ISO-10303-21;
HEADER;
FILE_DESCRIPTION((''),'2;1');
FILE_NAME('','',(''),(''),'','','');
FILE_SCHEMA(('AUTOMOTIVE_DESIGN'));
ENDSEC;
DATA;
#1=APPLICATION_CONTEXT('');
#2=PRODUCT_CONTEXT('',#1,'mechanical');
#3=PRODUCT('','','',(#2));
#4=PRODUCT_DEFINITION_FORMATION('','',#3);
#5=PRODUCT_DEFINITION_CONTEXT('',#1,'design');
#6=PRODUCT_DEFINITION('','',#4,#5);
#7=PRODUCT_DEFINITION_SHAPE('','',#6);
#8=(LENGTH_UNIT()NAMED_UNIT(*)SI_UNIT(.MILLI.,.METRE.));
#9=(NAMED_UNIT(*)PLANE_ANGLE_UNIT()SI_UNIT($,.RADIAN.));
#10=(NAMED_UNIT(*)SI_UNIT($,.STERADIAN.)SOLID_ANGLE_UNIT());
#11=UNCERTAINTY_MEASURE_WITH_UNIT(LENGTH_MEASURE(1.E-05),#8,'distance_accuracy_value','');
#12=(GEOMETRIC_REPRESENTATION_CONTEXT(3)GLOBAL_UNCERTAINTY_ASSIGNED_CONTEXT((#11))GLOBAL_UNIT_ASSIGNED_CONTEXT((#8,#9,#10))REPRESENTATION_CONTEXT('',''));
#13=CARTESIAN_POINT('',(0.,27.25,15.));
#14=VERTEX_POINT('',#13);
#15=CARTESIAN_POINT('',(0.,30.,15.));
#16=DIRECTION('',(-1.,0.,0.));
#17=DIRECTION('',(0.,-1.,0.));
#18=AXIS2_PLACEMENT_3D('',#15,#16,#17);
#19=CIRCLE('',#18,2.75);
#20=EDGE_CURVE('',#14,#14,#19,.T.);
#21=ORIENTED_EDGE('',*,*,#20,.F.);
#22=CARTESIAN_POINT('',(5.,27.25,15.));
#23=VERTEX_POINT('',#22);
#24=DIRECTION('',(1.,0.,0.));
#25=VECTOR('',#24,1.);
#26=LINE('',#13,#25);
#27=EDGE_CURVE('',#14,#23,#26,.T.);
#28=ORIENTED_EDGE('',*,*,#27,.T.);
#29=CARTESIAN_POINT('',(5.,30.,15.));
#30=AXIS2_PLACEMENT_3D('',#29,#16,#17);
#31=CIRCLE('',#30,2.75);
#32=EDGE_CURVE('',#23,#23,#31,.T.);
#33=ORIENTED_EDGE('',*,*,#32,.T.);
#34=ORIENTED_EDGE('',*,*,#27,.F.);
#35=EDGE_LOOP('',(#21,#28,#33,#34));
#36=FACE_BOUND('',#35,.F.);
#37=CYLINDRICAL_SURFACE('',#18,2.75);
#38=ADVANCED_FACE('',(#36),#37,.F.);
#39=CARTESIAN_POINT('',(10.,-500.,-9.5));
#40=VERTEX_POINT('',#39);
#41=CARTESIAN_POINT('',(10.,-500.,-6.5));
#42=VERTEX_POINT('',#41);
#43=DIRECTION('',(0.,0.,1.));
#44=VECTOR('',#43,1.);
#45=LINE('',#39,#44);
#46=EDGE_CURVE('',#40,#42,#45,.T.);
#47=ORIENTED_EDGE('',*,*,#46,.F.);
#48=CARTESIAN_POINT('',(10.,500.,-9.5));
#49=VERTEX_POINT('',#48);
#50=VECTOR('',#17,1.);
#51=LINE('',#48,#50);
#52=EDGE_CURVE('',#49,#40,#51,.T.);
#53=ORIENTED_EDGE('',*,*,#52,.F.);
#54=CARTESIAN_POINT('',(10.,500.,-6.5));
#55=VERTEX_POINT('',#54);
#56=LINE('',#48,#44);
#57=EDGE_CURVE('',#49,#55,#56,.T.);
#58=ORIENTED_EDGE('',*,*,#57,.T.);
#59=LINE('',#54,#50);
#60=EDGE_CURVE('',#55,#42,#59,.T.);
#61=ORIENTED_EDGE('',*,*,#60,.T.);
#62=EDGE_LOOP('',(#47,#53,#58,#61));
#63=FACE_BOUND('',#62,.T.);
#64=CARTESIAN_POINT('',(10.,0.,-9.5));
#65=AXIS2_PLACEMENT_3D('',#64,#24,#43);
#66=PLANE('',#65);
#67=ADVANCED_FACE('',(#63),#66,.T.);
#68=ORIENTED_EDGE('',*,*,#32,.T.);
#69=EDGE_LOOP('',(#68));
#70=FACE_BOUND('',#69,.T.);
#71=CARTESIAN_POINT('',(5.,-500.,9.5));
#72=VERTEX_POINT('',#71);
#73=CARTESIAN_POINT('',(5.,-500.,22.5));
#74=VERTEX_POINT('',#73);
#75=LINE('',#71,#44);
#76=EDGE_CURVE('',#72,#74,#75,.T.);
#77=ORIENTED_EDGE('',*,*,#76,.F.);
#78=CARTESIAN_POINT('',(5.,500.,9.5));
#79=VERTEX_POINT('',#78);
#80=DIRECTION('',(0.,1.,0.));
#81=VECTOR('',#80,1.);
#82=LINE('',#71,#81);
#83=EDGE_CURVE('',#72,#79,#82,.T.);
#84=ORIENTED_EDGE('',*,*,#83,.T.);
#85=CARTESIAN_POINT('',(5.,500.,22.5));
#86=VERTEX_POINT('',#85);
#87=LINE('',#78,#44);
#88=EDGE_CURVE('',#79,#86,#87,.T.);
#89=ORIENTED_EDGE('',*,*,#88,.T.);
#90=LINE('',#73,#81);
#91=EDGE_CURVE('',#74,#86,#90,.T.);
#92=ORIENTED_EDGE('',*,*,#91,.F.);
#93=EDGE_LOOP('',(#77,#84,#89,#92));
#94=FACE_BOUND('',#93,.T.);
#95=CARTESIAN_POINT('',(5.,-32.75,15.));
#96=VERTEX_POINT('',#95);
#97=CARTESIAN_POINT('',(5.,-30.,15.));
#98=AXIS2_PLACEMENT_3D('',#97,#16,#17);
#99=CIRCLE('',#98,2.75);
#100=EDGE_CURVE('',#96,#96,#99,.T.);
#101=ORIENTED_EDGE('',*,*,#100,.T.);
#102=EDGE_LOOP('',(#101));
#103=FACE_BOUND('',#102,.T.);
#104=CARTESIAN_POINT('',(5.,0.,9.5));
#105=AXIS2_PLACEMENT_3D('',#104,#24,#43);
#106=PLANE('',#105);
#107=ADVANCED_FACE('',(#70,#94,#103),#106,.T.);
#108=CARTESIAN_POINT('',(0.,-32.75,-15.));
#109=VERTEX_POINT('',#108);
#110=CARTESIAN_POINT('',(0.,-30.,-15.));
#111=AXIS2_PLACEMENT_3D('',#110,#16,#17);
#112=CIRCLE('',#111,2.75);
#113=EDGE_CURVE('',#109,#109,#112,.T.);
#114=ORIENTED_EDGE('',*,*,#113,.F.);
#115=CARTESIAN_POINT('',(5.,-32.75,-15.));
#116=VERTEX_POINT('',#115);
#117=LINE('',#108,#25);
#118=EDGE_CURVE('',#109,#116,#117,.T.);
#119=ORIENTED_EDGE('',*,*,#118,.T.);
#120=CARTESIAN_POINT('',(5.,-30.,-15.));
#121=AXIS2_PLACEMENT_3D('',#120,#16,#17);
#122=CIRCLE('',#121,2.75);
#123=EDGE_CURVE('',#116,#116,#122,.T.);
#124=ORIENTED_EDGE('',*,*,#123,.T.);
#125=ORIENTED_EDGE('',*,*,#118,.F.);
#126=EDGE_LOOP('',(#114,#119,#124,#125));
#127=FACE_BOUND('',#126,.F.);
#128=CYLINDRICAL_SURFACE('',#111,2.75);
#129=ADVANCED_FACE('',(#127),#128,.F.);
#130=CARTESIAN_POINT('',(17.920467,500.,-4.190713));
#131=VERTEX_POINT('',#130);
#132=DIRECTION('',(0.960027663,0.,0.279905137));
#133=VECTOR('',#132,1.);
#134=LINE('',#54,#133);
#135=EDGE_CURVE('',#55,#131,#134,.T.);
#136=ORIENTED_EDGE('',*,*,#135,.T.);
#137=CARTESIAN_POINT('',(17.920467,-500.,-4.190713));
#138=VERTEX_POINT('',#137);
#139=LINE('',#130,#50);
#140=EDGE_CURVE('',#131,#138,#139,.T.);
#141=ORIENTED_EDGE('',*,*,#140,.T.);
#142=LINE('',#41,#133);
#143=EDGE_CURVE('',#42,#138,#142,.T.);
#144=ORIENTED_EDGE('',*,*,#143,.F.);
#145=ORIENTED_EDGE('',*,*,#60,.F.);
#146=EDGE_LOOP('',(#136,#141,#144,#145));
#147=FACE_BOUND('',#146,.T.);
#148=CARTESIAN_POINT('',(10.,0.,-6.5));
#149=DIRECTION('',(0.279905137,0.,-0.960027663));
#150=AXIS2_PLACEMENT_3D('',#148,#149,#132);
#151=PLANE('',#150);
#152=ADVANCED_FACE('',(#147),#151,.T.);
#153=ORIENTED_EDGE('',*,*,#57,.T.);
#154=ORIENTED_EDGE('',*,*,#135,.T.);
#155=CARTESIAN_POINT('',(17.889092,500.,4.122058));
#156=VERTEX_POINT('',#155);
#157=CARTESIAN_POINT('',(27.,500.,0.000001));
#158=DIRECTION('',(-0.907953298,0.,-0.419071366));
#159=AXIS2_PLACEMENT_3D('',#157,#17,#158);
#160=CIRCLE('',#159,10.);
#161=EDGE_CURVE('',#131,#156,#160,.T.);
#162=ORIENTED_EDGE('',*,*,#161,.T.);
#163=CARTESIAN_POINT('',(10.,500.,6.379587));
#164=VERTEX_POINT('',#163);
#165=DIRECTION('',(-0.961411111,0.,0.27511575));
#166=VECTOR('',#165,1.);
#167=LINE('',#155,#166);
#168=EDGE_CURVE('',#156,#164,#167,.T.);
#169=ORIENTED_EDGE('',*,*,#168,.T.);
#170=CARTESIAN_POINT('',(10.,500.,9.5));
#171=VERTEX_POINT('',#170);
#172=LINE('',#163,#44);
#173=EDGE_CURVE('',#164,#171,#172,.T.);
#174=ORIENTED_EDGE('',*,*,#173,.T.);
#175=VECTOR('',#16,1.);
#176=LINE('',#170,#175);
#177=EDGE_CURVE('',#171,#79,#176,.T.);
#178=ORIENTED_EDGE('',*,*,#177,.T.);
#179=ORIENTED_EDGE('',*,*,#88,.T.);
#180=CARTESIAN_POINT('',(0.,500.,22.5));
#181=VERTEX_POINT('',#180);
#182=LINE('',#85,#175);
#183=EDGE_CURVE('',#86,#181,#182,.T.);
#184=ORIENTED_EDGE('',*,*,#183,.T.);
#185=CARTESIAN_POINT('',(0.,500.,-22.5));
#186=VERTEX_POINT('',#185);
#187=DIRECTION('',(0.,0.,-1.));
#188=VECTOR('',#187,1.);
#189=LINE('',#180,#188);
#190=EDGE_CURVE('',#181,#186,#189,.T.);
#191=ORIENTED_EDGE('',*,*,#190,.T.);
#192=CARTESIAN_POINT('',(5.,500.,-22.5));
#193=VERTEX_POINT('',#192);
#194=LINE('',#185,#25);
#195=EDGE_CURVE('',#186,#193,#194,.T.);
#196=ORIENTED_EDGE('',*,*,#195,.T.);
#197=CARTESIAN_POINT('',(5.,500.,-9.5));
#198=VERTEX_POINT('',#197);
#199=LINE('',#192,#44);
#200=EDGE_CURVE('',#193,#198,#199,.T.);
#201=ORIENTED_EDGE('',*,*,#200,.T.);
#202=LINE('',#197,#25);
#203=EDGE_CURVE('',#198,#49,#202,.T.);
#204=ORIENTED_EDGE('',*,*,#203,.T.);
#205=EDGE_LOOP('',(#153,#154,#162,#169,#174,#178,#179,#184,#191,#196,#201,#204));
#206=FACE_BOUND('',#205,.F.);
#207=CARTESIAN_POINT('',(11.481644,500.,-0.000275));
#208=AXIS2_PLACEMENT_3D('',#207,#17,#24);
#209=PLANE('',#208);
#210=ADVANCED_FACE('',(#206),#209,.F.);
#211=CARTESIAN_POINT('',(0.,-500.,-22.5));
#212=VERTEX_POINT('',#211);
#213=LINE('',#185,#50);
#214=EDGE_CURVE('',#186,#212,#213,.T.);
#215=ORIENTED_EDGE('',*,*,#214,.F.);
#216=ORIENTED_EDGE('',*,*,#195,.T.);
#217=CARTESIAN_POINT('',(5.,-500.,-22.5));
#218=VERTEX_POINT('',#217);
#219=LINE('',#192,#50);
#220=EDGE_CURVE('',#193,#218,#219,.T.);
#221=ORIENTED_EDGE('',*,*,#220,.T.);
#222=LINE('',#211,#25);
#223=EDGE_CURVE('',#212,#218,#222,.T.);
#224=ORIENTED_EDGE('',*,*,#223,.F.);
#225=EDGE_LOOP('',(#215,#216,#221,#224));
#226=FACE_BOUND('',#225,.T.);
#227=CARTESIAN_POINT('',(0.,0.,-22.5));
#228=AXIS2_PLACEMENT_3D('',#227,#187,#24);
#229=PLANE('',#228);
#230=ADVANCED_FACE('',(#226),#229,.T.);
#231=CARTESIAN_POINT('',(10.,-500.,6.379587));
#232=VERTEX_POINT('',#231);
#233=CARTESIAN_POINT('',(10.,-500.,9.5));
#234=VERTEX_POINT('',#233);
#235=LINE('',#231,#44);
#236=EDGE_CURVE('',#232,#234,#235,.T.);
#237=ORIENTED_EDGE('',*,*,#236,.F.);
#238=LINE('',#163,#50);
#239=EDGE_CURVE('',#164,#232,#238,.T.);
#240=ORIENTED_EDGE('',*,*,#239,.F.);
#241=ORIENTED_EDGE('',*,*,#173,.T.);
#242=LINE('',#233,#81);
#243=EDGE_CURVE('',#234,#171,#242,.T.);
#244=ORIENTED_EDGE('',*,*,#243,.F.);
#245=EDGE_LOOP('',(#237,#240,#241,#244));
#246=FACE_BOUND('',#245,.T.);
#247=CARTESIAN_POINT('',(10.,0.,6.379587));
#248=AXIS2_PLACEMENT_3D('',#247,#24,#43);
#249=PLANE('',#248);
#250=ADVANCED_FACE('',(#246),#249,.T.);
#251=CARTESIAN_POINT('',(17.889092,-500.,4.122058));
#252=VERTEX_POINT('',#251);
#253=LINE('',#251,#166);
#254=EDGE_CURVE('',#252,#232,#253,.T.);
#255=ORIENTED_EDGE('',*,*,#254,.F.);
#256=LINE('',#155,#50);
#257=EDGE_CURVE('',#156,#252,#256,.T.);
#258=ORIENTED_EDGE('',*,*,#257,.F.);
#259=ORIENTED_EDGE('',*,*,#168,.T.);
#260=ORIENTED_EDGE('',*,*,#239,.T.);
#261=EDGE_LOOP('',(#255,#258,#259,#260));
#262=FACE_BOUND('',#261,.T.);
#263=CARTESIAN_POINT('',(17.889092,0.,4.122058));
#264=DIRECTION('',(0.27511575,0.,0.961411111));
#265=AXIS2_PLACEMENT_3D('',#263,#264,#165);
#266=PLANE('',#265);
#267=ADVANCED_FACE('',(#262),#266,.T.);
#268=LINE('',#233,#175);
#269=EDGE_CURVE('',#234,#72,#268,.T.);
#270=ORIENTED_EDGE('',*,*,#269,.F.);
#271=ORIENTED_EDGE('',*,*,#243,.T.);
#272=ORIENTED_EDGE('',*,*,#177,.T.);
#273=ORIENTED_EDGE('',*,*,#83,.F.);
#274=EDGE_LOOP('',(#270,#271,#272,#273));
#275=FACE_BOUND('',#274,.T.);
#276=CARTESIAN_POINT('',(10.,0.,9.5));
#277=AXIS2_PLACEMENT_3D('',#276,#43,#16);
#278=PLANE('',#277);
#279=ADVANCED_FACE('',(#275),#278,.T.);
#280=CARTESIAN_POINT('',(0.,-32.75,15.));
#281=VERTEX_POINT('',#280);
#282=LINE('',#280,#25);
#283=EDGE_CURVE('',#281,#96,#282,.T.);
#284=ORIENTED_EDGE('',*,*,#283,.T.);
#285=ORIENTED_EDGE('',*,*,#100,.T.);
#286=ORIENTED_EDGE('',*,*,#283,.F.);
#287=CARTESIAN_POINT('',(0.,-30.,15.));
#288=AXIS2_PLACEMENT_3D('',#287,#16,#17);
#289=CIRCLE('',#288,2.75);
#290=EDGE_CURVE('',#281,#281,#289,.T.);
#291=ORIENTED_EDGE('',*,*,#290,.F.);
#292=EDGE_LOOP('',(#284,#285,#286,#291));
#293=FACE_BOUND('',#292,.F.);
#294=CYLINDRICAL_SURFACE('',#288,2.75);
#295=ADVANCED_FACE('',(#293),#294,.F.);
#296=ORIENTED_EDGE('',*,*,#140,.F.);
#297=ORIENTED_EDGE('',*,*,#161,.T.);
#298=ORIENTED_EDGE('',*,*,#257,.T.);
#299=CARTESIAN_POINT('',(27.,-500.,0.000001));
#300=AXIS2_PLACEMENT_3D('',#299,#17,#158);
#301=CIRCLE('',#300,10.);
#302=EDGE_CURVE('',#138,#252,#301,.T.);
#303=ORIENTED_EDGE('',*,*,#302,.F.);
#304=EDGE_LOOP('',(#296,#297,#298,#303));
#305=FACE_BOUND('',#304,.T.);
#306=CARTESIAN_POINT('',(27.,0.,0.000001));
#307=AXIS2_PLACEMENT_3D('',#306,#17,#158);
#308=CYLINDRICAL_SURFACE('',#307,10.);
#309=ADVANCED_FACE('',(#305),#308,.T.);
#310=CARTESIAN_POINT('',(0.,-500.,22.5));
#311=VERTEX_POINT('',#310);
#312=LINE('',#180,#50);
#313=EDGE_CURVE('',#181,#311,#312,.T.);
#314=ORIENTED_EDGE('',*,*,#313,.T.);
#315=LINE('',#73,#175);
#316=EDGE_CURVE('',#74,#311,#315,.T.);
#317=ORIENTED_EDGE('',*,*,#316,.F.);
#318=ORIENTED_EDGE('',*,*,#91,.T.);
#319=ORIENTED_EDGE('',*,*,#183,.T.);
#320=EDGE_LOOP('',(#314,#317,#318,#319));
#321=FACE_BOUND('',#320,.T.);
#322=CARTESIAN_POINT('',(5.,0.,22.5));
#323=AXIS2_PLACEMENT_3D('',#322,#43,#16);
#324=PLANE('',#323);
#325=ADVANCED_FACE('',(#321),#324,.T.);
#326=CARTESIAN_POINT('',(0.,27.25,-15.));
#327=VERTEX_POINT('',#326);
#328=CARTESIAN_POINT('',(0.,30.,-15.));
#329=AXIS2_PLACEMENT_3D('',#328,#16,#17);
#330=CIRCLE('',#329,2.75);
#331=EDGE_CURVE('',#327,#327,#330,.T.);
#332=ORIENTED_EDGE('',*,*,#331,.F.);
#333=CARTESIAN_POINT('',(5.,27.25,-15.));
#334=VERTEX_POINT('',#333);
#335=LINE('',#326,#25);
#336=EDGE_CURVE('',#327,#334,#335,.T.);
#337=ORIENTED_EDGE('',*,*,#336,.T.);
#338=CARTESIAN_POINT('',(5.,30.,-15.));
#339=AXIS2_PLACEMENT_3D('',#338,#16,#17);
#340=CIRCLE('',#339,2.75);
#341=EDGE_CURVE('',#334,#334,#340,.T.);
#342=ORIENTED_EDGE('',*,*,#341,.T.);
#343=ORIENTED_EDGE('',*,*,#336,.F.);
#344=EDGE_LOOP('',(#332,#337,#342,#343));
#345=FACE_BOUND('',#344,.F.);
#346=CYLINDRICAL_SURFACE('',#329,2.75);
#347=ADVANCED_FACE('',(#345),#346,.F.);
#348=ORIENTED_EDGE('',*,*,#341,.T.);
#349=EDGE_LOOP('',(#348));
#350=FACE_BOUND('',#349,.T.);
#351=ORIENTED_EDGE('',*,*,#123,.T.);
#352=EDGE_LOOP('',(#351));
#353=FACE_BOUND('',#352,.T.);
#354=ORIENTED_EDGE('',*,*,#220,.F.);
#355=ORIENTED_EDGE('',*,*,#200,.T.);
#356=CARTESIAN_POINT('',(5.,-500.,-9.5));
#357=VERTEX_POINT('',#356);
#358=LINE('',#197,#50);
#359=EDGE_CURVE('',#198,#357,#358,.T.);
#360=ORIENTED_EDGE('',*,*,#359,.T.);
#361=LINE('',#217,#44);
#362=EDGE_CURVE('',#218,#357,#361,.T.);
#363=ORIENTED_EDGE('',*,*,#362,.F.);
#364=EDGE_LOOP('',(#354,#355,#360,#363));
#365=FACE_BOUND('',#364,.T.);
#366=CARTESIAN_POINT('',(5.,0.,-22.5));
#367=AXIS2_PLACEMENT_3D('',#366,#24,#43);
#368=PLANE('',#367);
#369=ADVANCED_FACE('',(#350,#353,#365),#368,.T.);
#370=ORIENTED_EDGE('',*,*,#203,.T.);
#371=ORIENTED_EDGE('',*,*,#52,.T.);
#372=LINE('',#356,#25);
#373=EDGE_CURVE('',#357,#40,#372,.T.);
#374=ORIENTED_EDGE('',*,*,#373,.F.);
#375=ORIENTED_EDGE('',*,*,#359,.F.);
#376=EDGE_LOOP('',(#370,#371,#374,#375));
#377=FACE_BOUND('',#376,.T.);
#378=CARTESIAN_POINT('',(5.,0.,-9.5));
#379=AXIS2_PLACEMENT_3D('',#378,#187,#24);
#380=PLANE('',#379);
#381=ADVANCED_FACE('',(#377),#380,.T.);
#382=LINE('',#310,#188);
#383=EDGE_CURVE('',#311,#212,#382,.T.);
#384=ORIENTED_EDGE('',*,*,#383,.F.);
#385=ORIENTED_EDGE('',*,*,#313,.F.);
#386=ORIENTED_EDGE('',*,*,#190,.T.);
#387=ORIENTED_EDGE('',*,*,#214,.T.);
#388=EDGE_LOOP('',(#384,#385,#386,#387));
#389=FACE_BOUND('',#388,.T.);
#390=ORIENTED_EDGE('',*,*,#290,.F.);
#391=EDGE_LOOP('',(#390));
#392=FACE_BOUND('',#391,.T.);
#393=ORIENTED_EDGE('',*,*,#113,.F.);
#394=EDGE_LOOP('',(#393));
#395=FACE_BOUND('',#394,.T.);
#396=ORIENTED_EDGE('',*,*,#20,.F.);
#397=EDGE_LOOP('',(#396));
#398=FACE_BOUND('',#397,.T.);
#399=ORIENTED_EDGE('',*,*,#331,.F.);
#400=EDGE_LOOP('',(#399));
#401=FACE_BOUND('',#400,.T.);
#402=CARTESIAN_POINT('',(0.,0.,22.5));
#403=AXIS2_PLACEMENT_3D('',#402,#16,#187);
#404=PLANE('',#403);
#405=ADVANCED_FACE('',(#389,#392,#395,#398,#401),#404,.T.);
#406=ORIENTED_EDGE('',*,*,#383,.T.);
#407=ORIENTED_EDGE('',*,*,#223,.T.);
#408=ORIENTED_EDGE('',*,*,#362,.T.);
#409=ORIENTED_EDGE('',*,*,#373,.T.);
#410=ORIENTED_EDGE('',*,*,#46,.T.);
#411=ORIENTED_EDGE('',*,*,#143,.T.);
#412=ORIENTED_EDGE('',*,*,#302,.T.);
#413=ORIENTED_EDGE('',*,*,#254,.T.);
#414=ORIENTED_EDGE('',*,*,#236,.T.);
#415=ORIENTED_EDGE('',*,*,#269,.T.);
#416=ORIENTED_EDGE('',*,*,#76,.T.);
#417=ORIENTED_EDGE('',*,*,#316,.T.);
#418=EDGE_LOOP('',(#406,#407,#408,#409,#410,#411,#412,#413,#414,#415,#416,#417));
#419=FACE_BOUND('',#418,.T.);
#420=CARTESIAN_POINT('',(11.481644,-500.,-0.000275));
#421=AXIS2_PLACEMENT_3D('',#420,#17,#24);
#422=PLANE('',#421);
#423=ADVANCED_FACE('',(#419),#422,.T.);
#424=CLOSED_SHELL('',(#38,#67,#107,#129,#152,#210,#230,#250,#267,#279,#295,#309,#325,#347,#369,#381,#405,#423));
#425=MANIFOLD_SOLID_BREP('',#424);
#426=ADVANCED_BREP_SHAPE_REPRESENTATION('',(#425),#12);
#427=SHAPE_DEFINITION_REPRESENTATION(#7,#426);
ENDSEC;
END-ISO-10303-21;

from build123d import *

# Parameters (mm, degrees)
F1_DEPTH = 500
F2_R     = 2.75
F3_DEPTH = 5


with BuildPart() as f1:
    # F0 (on Front) → F1 (new body, symmetric)
    with BuildSketch(Plane.XZ):
        with BuildLine():
            Line((5, 22.5), (0, 22.5))
            Line((0, 22.5), (0, -22.5))
            Line((0, -22.5), (5, -22.5))
            Line((5, -22.5), (5, -9.5))
            Line((5, -9.5), (10, -9.5))
            Line((10, -9.5), (10, -6.5))
            Line((10, -6.5), (17.920467, -4.190713))
            ThreePointArc((17.920467, -4.190713), (36.999929, 0.037742), (17.889092, 4.122058))
            Line((17.889092, 4.122058), (10, 6.379587))
            Line((10, 6.379587), (10, 9.5))
            Line((10, 9.5), (5, 9.5))
            Line((5, 9.5), (5, 22.5))
        make_face()
    extrude(amount=F1_DEPTH, both=True)

    # F2 (on face) → F3 (cut)
    with BuildSketch(Plane(origin=(0, 0, 0), x_dir=(0, -1, 0), z_dir=(-1, 0, 0))):
        with Locations((30, 15)):
            Circle(F2_R)
        with Locations((30, -15)):
            Circle(F2_R)
        with Locations((-30, -15)):
            Circle(F2_R)
        with Locations((-30, 15)):
            Circle(F2_R)
    extrude(amount=-F3_DEPTH, mode=Mode.SUBTRACT)


solid = f1.part
